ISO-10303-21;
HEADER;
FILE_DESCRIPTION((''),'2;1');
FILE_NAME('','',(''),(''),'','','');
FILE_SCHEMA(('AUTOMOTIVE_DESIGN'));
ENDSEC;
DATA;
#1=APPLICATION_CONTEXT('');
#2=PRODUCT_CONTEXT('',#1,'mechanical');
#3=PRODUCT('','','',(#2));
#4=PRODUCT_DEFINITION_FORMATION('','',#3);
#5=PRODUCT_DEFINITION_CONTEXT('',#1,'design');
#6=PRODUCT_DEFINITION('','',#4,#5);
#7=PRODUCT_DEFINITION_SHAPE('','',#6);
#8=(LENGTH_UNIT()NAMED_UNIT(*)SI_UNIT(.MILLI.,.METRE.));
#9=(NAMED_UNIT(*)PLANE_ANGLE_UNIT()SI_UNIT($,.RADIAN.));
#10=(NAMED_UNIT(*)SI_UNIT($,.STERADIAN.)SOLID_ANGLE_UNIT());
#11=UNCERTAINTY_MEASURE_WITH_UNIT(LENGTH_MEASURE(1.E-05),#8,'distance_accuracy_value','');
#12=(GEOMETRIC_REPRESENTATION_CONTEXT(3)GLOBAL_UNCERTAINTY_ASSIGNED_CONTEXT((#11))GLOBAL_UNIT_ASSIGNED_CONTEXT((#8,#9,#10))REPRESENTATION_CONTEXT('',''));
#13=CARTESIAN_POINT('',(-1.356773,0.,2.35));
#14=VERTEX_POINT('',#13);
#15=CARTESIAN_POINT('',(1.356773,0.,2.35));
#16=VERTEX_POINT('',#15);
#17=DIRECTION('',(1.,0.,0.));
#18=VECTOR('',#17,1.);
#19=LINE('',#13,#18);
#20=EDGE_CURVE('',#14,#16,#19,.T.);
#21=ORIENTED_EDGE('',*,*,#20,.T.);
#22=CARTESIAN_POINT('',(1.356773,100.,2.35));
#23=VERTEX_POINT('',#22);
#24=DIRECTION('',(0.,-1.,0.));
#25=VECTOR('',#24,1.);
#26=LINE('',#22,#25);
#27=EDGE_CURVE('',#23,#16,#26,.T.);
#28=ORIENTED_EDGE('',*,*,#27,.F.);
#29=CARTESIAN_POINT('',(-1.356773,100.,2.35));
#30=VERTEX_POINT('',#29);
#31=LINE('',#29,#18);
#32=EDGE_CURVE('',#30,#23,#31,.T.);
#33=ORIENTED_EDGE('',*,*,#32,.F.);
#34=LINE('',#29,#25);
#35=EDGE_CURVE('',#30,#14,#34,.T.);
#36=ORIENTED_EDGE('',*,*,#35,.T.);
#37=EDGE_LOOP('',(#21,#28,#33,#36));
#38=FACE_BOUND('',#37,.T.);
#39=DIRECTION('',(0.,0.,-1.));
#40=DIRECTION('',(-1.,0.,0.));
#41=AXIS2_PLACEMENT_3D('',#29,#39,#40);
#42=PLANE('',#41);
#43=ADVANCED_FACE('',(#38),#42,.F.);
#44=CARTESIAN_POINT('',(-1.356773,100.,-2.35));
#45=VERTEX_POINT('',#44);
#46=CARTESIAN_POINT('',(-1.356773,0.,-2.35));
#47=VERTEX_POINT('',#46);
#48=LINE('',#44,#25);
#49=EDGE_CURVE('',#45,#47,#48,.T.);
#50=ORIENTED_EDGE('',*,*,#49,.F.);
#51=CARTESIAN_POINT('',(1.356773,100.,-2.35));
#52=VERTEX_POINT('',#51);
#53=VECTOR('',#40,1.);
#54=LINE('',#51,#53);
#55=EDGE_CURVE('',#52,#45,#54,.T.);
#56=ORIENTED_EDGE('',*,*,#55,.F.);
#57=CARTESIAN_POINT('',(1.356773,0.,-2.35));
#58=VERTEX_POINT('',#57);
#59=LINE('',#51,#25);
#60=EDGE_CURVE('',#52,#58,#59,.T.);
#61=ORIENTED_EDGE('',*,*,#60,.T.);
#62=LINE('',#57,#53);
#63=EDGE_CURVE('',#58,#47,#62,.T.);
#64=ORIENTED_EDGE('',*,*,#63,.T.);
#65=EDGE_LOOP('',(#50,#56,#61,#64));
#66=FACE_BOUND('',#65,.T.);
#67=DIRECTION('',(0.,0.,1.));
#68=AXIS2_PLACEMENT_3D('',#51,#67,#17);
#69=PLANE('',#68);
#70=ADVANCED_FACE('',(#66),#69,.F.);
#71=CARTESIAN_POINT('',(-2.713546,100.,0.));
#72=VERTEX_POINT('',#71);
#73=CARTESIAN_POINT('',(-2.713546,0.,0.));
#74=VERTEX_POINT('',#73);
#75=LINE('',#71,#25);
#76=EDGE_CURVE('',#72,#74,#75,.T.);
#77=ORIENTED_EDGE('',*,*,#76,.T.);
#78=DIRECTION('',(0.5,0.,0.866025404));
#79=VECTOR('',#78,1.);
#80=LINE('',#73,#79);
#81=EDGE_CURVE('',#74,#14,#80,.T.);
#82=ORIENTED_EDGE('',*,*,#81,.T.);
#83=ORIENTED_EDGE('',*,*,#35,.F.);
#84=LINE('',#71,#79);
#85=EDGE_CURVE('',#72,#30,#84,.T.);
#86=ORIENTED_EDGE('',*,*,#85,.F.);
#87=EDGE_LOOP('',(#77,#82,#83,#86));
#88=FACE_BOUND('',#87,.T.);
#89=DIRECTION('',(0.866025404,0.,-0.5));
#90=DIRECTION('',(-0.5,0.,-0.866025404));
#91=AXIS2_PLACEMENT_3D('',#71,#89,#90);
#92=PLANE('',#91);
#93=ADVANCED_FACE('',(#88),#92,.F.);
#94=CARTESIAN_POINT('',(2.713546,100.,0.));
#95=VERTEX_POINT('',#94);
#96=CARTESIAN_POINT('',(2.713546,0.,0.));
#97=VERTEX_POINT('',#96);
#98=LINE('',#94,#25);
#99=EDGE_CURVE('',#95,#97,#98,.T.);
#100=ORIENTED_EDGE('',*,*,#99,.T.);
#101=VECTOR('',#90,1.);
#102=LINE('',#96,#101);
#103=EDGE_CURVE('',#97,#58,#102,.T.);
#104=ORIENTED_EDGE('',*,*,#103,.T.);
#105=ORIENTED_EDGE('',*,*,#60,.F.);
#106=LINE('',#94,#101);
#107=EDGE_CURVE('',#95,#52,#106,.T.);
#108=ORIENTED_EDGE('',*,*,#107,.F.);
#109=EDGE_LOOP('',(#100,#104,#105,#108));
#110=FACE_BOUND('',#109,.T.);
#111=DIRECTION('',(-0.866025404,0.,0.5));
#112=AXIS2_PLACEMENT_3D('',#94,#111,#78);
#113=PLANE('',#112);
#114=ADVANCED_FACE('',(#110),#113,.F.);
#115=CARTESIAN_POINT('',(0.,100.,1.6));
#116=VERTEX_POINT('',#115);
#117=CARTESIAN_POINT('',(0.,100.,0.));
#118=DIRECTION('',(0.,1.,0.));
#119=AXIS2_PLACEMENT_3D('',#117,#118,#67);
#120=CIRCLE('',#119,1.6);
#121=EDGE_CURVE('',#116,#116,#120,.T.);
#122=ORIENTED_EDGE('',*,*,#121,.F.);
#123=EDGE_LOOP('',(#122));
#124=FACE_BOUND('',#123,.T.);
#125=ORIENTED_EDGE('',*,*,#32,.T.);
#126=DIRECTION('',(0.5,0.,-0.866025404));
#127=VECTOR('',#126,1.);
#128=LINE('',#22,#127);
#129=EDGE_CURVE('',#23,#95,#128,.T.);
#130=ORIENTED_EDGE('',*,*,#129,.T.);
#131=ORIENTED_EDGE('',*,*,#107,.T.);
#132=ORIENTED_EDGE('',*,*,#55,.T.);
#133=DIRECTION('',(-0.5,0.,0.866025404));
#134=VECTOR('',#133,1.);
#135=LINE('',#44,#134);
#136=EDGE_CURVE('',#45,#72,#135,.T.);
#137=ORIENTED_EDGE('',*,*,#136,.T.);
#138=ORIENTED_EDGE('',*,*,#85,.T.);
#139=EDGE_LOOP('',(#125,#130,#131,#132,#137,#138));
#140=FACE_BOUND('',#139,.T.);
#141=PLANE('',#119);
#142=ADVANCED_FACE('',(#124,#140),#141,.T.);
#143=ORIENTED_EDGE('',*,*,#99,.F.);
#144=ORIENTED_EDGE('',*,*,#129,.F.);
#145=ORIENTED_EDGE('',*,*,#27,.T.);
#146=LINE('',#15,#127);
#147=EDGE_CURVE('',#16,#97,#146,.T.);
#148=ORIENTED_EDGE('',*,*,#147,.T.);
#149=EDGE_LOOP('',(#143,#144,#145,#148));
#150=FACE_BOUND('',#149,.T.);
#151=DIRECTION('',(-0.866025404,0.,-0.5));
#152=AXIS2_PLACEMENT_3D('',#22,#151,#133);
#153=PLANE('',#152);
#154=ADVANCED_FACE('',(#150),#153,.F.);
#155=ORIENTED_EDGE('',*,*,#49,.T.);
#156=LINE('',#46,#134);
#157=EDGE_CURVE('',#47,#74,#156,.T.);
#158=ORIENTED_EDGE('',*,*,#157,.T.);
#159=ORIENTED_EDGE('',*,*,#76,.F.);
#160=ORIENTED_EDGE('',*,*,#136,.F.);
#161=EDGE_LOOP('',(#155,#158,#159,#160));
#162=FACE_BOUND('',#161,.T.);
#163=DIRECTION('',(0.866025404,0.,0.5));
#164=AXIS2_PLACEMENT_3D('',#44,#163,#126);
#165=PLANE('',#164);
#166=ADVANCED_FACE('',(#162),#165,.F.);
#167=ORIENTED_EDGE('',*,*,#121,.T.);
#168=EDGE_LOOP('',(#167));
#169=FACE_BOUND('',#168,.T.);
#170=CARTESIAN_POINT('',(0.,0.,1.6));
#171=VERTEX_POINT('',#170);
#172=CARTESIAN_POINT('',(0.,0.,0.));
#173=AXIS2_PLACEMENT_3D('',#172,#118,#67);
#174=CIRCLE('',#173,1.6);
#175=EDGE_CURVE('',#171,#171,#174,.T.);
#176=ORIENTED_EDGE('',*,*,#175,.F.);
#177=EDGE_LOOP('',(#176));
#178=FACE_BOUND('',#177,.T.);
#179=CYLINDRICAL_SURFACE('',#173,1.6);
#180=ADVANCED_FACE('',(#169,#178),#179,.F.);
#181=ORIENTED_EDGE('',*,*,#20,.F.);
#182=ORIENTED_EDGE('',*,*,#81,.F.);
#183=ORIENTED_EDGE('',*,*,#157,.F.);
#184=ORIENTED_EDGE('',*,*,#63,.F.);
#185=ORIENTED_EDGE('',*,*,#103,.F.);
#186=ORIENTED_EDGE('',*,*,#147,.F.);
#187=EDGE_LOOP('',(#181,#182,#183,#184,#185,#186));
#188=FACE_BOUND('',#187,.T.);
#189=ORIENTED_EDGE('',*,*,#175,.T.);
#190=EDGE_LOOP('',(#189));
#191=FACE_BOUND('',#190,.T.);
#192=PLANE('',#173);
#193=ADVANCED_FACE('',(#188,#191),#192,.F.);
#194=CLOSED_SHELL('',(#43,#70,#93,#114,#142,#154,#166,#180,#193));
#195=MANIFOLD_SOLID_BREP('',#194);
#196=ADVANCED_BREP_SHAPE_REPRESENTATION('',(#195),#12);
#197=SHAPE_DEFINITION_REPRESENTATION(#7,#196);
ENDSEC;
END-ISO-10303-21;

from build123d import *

# Parameters (mm, degrees)
EXTRUDE_1_DEPTH     = 100
SKETCH_2_R          = 1.6
CUT_EXTRUDE_1_DEPTH = 101


with BuildPart() as part:
    # 草图1 → 凸台-拉伸1 (new body)
    with BuildSketch(Plane(origin=(0, 0, 0), x_dir=(1, 0, 0), z_dir=(0, 1, 0))):
        Polygon((2.713546265, 0), (1.356773133, 2.35), (-1.356773133, 2.35), (-2.713546265, 0), (-1.356773133, -2.35), (1.356773133, -2.35), align=None)
    extrude(amount=EXTRUDE_1_DEPTH)

    # 草图2 → 切除-拉伸1 (cut, through all)
    with BuildSketch(Plane(origin=(0, 100, 0), x_dir=(1, 0, 0), z_dir=(0, 1, 0))):
        Circle(SKETCH_2_R)
    extrude(amount=-CUT_EXTRUDE_1_DEPTH, mode=Mode.SUBTRACT)


solid = part.part
